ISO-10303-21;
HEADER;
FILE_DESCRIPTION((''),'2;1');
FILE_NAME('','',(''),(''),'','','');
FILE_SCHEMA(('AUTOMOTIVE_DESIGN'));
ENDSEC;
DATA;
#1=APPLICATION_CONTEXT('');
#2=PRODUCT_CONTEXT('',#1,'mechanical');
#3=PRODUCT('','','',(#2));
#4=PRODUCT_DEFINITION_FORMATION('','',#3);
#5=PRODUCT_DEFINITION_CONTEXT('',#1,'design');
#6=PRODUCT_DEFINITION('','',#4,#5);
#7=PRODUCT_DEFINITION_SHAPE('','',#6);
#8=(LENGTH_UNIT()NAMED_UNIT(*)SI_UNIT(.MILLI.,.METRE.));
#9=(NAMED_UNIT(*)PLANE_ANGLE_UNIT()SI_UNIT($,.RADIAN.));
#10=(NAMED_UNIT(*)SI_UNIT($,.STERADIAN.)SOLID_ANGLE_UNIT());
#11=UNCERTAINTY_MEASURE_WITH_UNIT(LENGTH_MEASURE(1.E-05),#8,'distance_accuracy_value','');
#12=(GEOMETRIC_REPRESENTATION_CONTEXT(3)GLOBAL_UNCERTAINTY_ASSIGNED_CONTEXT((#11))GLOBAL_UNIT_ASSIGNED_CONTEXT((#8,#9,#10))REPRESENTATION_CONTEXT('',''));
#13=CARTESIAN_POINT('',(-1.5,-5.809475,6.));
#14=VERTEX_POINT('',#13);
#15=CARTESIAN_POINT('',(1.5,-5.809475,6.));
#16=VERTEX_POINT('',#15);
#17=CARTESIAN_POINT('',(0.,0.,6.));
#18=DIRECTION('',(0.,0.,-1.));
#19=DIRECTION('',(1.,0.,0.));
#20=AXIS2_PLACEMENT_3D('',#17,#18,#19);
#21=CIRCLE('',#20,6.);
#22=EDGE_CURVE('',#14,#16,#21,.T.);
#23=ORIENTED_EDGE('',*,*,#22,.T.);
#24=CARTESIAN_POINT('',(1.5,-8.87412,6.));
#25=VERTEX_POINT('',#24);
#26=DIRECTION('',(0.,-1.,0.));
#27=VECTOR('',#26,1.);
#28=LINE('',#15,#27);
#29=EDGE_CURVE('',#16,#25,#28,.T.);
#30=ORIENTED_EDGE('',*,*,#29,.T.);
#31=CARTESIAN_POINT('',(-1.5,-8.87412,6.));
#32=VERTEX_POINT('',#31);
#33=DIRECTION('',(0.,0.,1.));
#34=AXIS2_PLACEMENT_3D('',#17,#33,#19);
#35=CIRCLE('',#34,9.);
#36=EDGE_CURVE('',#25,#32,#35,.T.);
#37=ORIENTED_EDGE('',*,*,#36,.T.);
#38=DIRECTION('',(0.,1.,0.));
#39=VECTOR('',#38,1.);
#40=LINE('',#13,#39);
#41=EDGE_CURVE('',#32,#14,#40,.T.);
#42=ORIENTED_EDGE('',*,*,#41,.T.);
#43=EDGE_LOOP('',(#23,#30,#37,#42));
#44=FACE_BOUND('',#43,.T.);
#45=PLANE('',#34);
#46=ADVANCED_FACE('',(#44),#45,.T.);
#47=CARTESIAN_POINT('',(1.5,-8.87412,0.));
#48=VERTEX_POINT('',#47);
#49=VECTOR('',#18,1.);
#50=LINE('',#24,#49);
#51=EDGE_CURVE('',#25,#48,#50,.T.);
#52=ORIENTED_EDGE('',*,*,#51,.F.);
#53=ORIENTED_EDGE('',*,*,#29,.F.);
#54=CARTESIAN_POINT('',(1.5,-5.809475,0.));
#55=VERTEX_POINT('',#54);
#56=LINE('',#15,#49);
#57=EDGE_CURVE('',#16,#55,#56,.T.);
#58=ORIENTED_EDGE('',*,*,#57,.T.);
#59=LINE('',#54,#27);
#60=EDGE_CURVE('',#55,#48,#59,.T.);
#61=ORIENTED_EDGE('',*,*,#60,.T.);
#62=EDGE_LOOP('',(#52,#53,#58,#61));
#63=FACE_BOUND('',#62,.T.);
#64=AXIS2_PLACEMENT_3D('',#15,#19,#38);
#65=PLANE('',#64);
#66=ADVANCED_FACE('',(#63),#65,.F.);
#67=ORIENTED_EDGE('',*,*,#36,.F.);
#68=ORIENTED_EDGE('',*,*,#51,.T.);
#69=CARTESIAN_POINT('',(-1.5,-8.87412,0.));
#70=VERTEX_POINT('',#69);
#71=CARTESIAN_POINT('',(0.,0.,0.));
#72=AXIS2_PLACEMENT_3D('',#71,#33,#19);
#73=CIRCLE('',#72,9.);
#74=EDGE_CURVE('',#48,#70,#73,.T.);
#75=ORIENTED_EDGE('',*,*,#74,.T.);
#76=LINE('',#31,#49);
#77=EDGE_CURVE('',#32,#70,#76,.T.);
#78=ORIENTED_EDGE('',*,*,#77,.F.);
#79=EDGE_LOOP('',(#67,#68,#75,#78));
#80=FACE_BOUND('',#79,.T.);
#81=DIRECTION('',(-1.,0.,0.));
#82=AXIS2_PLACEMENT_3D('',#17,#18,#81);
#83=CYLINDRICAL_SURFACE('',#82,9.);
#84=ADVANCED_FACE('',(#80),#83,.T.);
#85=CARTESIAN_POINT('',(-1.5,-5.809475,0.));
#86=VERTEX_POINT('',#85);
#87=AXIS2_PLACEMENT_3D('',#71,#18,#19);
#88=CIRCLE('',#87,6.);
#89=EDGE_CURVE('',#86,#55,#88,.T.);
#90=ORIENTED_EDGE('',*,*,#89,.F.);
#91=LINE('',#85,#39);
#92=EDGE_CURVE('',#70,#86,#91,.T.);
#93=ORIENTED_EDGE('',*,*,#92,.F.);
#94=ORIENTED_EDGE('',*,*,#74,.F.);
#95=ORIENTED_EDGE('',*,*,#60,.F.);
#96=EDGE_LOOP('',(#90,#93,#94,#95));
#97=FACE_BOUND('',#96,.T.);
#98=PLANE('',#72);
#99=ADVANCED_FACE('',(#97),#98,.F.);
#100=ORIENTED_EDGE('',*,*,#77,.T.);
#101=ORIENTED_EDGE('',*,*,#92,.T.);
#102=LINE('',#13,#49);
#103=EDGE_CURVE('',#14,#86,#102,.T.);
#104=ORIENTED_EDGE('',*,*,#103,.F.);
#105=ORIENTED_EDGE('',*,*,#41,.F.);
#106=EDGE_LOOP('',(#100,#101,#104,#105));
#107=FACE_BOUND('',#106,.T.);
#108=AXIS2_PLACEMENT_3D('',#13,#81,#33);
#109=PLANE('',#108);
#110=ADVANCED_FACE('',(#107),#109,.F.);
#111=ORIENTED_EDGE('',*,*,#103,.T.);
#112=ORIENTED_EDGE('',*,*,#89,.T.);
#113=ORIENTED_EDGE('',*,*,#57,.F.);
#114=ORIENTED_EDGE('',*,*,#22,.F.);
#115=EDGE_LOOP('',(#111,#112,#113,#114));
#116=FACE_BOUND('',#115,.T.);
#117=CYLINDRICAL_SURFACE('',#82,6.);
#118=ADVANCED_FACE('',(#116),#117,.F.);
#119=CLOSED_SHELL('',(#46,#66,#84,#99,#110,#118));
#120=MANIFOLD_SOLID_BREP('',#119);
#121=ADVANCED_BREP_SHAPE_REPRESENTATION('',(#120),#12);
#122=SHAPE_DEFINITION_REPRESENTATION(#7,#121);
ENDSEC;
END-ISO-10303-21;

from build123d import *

# Parameters (mm, degrees)
BASE_EXTRUSION_DEPTH = 6


with BuildPart() as part:
    # Esquisse1 → Base-Extrusion (new body)
    with BuildSketch(Plane.XY):
        with BuildLine():
            Line((1.5, -5.809475019), (1.5, -8.874119675))
            ThreePointArc((1.5, -8.874119675), (0, 9), (-1.5, -8.874119675))
            Line((-1.5, -8.874119675), (-1.5, -5.809475019))
            ThreePointArc((-1.5, -5.809475019), (0, 6), (1.5, -5.809475019))
        make_face()
    extrude(amount=BASE_EXTRUSION_DEPTH)


solid = part.part
